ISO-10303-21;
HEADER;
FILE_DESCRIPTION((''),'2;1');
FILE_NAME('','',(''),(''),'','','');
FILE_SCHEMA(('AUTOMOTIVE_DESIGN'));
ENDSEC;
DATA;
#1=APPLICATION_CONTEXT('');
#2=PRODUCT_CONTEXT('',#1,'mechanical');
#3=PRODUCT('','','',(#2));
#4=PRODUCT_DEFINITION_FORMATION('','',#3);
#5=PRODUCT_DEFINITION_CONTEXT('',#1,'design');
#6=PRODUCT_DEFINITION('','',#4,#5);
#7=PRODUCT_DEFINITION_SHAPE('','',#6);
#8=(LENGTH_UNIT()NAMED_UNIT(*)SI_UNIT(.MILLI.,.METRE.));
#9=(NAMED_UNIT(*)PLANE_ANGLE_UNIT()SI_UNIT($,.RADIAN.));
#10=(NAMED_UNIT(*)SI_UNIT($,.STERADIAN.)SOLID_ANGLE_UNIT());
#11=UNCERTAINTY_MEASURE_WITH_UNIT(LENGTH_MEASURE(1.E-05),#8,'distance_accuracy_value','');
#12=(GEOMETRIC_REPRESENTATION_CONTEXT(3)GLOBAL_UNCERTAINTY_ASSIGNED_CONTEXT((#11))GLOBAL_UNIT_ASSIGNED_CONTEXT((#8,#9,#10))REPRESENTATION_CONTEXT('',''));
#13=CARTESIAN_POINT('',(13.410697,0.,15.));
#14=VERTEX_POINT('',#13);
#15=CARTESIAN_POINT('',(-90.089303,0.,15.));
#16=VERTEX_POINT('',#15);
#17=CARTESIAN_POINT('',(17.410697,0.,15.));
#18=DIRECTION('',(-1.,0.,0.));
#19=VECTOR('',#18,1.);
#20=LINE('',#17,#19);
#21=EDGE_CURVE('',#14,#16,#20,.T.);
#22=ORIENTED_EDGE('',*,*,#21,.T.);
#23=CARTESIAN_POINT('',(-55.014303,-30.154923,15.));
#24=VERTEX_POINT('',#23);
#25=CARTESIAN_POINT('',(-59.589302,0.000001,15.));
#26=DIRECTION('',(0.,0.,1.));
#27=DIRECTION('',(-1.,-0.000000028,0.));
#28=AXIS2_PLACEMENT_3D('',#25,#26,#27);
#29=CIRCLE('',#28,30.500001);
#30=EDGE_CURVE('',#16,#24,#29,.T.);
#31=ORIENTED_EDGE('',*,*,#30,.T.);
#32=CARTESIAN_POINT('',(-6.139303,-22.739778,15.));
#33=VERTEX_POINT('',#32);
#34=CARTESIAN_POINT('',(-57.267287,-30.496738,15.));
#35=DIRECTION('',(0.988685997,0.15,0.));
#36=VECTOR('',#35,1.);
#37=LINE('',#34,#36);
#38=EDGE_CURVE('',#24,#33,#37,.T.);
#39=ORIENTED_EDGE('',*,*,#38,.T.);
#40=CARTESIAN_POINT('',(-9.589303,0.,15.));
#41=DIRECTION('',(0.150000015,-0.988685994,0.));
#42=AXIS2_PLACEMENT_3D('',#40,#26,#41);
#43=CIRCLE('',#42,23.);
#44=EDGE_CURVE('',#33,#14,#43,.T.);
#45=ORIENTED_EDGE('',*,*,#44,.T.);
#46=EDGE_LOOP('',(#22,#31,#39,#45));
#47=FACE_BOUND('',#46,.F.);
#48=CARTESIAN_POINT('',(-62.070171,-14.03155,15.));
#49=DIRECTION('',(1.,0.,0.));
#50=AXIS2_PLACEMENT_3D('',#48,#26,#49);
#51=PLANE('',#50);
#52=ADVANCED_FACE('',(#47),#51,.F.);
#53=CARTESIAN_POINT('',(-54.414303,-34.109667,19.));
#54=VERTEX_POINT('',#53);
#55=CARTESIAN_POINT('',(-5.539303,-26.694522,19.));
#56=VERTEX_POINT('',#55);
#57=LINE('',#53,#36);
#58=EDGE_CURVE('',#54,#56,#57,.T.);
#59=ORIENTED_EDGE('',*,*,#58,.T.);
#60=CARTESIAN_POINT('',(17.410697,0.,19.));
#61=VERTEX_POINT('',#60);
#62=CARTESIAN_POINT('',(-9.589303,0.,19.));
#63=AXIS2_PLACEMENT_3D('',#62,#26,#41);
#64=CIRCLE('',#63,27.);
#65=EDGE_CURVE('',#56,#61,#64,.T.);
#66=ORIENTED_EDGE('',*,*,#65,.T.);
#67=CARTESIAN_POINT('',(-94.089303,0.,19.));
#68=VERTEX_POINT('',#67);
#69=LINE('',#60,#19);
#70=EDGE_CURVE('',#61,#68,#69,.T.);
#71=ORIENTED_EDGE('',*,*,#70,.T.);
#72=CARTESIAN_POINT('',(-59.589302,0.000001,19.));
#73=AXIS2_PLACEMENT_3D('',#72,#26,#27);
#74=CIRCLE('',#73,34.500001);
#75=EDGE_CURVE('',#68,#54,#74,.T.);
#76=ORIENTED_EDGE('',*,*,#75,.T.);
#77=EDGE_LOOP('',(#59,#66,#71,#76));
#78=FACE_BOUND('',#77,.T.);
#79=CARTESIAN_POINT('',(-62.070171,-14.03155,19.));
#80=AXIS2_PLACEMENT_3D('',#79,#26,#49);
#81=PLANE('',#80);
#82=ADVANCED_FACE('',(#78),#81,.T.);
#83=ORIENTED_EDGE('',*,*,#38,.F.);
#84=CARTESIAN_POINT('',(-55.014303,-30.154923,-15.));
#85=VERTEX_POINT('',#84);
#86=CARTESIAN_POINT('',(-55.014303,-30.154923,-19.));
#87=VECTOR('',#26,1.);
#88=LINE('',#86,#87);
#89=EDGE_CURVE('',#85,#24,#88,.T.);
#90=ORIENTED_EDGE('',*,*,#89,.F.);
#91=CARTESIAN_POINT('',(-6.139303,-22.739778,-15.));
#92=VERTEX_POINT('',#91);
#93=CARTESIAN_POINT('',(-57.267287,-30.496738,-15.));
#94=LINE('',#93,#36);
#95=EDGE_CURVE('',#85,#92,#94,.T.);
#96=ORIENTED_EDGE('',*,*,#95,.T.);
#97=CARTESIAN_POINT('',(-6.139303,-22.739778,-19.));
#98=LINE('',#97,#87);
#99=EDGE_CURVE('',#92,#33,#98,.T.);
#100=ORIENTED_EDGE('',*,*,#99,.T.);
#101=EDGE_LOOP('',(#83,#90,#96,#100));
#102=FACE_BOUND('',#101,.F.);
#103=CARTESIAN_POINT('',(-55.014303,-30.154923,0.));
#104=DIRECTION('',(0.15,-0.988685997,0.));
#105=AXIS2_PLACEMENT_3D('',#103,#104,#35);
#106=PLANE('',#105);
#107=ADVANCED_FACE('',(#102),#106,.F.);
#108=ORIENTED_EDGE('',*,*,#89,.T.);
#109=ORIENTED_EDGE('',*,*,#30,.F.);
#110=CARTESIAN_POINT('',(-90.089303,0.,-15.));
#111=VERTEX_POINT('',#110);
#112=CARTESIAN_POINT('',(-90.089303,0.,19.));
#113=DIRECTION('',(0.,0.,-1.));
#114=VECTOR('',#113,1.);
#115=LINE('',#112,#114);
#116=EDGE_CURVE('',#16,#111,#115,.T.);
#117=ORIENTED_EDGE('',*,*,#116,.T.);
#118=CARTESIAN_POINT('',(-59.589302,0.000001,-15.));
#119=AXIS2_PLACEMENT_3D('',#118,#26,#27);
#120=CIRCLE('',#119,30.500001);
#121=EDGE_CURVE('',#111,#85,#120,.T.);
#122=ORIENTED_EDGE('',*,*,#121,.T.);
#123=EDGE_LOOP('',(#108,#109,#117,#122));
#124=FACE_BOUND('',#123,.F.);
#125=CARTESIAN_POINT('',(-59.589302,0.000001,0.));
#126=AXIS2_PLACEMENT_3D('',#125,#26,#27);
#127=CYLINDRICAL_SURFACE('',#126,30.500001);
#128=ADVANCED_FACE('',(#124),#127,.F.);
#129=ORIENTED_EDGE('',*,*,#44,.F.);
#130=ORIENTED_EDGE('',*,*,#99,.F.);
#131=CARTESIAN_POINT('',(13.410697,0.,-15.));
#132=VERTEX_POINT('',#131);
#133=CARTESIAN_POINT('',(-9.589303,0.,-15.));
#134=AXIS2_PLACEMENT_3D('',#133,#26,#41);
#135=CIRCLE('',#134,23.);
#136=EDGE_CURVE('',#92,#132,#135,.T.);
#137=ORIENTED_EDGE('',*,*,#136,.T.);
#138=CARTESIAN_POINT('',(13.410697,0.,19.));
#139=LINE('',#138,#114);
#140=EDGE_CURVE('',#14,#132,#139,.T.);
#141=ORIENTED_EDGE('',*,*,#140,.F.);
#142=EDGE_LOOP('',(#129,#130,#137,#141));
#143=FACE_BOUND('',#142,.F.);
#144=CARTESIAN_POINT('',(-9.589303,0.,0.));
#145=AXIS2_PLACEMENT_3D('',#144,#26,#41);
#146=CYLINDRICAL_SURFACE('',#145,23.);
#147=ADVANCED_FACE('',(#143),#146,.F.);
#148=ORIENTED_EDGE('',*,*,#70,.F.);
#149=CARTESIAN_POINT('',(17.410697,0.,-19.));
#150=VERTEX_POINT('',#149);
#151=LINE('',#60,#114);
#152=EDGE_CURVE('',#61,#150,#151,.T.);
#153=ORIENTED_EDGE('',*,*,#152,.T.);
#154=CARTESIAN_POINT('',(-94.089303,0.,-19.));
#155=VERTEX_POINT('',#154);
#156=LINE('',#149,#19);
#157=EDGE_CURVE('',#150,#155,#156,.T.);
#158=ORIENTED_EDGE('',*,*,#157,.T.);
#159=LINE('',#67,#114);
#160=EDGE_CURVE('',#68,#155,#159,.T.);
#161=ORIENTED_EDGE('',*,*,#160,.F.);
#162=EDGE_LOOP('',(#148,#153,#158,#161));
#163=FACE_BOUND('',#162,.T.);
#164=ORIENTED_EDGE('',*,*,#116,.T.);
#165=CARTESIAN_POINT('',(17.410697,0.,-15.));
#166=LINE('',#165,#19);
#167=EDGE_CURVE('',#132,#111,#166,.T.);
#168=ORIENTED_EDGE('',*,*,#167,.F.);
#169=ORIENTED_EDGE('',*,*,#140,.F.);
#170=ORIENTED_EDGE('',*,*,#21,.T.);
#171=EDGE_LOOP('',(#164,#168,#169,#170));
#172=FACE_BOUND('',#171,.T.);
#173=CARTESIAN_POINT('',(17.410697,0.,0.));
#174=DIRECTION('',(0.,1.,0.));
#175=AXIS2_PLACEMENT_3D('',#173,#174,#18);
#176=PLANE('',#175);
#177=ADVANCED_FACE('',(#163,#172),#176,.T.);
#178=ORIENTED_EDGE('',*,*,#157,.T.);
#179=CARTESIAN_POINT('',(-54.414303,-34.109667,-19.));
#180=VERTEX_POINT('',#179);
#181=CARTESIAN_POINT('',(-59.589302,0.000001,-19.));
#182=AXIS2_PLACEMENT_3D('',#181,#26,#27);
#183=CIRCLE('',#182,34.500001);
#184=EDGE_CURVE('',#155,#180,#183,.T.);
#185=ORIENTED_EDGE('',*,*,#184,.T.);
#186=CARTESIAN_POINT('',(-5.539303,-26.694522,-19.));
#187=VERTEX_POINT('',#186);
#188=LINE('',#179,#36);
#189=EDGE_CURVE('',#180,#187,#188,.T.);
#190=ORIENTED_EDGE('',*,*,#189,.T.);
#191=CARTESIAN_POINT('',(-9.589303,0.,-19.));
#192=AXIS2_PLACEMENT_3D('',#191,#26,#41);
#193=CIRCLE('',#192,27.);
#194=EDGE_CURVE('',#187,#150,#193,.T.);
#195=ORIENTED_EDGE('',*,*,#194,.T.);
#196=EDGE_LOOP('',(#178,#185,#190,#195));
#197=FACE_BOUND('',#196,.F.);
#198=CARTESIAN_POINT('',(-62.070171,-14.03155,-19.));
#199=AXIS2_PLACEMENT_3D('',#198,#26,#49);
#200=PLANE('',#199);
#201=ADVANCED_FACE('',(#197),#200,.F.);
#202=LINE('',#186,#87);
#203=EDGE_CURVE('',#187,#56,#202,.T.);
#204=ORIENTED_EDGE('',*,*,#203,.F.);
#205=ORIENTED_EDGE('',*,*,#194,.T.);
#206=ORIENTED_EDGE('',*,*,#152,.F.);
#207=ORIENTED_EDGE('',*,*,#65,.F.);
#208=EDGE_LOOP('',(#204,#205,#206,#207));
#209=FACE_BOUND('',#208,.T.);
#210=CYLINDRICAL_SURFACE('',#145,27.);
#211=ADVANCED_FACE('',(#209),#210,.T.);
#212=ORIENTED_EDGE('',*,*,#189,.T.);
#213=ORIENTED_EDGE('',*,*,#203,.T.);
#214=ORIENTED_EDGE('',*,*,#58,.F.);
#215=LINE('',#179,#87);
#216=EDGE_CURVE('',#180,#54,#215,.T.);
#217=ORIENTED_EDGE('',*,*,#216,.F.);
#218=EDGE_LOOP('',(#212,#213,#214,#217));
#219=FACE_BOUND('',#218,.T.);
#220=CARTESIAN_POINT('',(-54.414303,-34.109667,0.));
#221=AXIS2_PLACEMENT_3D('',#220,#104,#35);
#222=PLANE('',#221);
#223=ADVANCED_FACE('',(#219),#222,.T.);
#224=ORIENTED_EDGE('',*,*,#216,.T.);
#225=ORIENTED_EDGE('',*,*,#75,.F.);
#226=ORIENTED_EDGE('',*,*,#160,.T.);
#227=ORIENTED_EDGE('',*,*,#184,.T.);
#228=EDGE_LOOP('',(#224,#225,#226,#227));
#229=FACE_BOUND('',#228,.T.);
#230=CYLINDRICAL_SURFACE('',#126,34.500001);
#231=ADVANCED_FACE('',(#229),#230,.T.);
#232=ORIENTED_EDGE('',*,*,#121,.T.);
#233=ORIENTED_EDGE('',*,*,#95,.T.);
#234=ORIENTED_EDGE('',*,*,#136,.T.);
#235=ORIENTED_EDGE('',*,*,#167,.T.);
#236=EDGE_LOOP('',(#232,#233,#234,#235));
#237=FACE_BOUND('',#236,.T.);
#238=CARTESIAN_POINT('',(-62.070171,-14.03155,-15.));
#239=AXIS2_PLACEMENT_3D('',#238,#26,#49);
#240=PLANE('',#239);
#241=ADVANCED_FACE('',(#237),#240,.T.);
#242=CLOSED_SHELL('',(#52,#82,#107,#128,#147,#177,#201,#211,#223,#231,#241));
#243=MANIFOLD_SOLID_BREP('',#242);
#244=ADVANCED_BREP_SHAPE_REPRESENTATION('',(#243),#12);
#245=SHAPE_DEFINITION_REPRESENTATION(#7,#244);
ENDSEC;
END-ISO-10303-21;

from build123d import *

# Parameters (mm, degrees)
F1_DEPTH = 19
F2_T     = -4


with BuildPart() as f1:
    # F0 (on Top) → F1 (new body, symmetric)
    with BuildSketch(Plane.XY):
        with BuildLine():
            Line((-36.589303, 0), (-94.089303, 0))
            ThreePointArc((-94.089303, 0), (-82.080551, -26.16092), (-54.414303, -34.109667))
            ThreePointArc((-54.414303, -34.109667), (-40.357871, -28.642661), (-29.976803, -17.70169))
            ThreePointArc((-29.976803, -17.70169), (-34.882212, -9.448214), (-36.589303, 0))
        make_face()
        with BuildLine():
            ThreePointArc((-29.976803, -17.70169), (-40.357871, -28.642661), (-54.414303, -34.109667))
            Line((-54.414303, -34.109667), (-5.539303, -26.694522))
            ThreePointArc((-5.539303, -26.694522), (-18.913799, -25.33878), (-29.976803, -17.70169))
        make_face()
        with BuildLine():
            Line((-25.089303, 0), (-36.589303, 0))
            ThreePointArc((-36.589303, 0), (-34.882212, -9.448214), (-29.976803, -17.70169))
            ThreePointArc((-29.976803, -17.70169), (-26.333617, -9.182014), (-25.089303, 0))
        make_face()
        with BuildLine():
            ThreePointArc((-25.089303, 0), (-26.333617, -9.182014), (-29.976803, -17.70169))
            ThreePointArc((-29.976803, -17.70169), (-18.913799, -25.33878), (-5.539303, -26.694522))
            ThreePointArc((-5.539303, -26.694522), (10.884461, -17.601846), (17.410697, 0))
            Line((17.410697, 0), (-25.089303, 0))
        make_face()
    extrude(amount=F1_DEPTH, both=True)

    # F2
    f2_openings = [f1.faces().sort_by_distance(p)[0] for p in [
        (-38.339303, 0, 0),
    ]]
    offset(amount=F2_T, openings=f2_openings)


solid = f1.part
